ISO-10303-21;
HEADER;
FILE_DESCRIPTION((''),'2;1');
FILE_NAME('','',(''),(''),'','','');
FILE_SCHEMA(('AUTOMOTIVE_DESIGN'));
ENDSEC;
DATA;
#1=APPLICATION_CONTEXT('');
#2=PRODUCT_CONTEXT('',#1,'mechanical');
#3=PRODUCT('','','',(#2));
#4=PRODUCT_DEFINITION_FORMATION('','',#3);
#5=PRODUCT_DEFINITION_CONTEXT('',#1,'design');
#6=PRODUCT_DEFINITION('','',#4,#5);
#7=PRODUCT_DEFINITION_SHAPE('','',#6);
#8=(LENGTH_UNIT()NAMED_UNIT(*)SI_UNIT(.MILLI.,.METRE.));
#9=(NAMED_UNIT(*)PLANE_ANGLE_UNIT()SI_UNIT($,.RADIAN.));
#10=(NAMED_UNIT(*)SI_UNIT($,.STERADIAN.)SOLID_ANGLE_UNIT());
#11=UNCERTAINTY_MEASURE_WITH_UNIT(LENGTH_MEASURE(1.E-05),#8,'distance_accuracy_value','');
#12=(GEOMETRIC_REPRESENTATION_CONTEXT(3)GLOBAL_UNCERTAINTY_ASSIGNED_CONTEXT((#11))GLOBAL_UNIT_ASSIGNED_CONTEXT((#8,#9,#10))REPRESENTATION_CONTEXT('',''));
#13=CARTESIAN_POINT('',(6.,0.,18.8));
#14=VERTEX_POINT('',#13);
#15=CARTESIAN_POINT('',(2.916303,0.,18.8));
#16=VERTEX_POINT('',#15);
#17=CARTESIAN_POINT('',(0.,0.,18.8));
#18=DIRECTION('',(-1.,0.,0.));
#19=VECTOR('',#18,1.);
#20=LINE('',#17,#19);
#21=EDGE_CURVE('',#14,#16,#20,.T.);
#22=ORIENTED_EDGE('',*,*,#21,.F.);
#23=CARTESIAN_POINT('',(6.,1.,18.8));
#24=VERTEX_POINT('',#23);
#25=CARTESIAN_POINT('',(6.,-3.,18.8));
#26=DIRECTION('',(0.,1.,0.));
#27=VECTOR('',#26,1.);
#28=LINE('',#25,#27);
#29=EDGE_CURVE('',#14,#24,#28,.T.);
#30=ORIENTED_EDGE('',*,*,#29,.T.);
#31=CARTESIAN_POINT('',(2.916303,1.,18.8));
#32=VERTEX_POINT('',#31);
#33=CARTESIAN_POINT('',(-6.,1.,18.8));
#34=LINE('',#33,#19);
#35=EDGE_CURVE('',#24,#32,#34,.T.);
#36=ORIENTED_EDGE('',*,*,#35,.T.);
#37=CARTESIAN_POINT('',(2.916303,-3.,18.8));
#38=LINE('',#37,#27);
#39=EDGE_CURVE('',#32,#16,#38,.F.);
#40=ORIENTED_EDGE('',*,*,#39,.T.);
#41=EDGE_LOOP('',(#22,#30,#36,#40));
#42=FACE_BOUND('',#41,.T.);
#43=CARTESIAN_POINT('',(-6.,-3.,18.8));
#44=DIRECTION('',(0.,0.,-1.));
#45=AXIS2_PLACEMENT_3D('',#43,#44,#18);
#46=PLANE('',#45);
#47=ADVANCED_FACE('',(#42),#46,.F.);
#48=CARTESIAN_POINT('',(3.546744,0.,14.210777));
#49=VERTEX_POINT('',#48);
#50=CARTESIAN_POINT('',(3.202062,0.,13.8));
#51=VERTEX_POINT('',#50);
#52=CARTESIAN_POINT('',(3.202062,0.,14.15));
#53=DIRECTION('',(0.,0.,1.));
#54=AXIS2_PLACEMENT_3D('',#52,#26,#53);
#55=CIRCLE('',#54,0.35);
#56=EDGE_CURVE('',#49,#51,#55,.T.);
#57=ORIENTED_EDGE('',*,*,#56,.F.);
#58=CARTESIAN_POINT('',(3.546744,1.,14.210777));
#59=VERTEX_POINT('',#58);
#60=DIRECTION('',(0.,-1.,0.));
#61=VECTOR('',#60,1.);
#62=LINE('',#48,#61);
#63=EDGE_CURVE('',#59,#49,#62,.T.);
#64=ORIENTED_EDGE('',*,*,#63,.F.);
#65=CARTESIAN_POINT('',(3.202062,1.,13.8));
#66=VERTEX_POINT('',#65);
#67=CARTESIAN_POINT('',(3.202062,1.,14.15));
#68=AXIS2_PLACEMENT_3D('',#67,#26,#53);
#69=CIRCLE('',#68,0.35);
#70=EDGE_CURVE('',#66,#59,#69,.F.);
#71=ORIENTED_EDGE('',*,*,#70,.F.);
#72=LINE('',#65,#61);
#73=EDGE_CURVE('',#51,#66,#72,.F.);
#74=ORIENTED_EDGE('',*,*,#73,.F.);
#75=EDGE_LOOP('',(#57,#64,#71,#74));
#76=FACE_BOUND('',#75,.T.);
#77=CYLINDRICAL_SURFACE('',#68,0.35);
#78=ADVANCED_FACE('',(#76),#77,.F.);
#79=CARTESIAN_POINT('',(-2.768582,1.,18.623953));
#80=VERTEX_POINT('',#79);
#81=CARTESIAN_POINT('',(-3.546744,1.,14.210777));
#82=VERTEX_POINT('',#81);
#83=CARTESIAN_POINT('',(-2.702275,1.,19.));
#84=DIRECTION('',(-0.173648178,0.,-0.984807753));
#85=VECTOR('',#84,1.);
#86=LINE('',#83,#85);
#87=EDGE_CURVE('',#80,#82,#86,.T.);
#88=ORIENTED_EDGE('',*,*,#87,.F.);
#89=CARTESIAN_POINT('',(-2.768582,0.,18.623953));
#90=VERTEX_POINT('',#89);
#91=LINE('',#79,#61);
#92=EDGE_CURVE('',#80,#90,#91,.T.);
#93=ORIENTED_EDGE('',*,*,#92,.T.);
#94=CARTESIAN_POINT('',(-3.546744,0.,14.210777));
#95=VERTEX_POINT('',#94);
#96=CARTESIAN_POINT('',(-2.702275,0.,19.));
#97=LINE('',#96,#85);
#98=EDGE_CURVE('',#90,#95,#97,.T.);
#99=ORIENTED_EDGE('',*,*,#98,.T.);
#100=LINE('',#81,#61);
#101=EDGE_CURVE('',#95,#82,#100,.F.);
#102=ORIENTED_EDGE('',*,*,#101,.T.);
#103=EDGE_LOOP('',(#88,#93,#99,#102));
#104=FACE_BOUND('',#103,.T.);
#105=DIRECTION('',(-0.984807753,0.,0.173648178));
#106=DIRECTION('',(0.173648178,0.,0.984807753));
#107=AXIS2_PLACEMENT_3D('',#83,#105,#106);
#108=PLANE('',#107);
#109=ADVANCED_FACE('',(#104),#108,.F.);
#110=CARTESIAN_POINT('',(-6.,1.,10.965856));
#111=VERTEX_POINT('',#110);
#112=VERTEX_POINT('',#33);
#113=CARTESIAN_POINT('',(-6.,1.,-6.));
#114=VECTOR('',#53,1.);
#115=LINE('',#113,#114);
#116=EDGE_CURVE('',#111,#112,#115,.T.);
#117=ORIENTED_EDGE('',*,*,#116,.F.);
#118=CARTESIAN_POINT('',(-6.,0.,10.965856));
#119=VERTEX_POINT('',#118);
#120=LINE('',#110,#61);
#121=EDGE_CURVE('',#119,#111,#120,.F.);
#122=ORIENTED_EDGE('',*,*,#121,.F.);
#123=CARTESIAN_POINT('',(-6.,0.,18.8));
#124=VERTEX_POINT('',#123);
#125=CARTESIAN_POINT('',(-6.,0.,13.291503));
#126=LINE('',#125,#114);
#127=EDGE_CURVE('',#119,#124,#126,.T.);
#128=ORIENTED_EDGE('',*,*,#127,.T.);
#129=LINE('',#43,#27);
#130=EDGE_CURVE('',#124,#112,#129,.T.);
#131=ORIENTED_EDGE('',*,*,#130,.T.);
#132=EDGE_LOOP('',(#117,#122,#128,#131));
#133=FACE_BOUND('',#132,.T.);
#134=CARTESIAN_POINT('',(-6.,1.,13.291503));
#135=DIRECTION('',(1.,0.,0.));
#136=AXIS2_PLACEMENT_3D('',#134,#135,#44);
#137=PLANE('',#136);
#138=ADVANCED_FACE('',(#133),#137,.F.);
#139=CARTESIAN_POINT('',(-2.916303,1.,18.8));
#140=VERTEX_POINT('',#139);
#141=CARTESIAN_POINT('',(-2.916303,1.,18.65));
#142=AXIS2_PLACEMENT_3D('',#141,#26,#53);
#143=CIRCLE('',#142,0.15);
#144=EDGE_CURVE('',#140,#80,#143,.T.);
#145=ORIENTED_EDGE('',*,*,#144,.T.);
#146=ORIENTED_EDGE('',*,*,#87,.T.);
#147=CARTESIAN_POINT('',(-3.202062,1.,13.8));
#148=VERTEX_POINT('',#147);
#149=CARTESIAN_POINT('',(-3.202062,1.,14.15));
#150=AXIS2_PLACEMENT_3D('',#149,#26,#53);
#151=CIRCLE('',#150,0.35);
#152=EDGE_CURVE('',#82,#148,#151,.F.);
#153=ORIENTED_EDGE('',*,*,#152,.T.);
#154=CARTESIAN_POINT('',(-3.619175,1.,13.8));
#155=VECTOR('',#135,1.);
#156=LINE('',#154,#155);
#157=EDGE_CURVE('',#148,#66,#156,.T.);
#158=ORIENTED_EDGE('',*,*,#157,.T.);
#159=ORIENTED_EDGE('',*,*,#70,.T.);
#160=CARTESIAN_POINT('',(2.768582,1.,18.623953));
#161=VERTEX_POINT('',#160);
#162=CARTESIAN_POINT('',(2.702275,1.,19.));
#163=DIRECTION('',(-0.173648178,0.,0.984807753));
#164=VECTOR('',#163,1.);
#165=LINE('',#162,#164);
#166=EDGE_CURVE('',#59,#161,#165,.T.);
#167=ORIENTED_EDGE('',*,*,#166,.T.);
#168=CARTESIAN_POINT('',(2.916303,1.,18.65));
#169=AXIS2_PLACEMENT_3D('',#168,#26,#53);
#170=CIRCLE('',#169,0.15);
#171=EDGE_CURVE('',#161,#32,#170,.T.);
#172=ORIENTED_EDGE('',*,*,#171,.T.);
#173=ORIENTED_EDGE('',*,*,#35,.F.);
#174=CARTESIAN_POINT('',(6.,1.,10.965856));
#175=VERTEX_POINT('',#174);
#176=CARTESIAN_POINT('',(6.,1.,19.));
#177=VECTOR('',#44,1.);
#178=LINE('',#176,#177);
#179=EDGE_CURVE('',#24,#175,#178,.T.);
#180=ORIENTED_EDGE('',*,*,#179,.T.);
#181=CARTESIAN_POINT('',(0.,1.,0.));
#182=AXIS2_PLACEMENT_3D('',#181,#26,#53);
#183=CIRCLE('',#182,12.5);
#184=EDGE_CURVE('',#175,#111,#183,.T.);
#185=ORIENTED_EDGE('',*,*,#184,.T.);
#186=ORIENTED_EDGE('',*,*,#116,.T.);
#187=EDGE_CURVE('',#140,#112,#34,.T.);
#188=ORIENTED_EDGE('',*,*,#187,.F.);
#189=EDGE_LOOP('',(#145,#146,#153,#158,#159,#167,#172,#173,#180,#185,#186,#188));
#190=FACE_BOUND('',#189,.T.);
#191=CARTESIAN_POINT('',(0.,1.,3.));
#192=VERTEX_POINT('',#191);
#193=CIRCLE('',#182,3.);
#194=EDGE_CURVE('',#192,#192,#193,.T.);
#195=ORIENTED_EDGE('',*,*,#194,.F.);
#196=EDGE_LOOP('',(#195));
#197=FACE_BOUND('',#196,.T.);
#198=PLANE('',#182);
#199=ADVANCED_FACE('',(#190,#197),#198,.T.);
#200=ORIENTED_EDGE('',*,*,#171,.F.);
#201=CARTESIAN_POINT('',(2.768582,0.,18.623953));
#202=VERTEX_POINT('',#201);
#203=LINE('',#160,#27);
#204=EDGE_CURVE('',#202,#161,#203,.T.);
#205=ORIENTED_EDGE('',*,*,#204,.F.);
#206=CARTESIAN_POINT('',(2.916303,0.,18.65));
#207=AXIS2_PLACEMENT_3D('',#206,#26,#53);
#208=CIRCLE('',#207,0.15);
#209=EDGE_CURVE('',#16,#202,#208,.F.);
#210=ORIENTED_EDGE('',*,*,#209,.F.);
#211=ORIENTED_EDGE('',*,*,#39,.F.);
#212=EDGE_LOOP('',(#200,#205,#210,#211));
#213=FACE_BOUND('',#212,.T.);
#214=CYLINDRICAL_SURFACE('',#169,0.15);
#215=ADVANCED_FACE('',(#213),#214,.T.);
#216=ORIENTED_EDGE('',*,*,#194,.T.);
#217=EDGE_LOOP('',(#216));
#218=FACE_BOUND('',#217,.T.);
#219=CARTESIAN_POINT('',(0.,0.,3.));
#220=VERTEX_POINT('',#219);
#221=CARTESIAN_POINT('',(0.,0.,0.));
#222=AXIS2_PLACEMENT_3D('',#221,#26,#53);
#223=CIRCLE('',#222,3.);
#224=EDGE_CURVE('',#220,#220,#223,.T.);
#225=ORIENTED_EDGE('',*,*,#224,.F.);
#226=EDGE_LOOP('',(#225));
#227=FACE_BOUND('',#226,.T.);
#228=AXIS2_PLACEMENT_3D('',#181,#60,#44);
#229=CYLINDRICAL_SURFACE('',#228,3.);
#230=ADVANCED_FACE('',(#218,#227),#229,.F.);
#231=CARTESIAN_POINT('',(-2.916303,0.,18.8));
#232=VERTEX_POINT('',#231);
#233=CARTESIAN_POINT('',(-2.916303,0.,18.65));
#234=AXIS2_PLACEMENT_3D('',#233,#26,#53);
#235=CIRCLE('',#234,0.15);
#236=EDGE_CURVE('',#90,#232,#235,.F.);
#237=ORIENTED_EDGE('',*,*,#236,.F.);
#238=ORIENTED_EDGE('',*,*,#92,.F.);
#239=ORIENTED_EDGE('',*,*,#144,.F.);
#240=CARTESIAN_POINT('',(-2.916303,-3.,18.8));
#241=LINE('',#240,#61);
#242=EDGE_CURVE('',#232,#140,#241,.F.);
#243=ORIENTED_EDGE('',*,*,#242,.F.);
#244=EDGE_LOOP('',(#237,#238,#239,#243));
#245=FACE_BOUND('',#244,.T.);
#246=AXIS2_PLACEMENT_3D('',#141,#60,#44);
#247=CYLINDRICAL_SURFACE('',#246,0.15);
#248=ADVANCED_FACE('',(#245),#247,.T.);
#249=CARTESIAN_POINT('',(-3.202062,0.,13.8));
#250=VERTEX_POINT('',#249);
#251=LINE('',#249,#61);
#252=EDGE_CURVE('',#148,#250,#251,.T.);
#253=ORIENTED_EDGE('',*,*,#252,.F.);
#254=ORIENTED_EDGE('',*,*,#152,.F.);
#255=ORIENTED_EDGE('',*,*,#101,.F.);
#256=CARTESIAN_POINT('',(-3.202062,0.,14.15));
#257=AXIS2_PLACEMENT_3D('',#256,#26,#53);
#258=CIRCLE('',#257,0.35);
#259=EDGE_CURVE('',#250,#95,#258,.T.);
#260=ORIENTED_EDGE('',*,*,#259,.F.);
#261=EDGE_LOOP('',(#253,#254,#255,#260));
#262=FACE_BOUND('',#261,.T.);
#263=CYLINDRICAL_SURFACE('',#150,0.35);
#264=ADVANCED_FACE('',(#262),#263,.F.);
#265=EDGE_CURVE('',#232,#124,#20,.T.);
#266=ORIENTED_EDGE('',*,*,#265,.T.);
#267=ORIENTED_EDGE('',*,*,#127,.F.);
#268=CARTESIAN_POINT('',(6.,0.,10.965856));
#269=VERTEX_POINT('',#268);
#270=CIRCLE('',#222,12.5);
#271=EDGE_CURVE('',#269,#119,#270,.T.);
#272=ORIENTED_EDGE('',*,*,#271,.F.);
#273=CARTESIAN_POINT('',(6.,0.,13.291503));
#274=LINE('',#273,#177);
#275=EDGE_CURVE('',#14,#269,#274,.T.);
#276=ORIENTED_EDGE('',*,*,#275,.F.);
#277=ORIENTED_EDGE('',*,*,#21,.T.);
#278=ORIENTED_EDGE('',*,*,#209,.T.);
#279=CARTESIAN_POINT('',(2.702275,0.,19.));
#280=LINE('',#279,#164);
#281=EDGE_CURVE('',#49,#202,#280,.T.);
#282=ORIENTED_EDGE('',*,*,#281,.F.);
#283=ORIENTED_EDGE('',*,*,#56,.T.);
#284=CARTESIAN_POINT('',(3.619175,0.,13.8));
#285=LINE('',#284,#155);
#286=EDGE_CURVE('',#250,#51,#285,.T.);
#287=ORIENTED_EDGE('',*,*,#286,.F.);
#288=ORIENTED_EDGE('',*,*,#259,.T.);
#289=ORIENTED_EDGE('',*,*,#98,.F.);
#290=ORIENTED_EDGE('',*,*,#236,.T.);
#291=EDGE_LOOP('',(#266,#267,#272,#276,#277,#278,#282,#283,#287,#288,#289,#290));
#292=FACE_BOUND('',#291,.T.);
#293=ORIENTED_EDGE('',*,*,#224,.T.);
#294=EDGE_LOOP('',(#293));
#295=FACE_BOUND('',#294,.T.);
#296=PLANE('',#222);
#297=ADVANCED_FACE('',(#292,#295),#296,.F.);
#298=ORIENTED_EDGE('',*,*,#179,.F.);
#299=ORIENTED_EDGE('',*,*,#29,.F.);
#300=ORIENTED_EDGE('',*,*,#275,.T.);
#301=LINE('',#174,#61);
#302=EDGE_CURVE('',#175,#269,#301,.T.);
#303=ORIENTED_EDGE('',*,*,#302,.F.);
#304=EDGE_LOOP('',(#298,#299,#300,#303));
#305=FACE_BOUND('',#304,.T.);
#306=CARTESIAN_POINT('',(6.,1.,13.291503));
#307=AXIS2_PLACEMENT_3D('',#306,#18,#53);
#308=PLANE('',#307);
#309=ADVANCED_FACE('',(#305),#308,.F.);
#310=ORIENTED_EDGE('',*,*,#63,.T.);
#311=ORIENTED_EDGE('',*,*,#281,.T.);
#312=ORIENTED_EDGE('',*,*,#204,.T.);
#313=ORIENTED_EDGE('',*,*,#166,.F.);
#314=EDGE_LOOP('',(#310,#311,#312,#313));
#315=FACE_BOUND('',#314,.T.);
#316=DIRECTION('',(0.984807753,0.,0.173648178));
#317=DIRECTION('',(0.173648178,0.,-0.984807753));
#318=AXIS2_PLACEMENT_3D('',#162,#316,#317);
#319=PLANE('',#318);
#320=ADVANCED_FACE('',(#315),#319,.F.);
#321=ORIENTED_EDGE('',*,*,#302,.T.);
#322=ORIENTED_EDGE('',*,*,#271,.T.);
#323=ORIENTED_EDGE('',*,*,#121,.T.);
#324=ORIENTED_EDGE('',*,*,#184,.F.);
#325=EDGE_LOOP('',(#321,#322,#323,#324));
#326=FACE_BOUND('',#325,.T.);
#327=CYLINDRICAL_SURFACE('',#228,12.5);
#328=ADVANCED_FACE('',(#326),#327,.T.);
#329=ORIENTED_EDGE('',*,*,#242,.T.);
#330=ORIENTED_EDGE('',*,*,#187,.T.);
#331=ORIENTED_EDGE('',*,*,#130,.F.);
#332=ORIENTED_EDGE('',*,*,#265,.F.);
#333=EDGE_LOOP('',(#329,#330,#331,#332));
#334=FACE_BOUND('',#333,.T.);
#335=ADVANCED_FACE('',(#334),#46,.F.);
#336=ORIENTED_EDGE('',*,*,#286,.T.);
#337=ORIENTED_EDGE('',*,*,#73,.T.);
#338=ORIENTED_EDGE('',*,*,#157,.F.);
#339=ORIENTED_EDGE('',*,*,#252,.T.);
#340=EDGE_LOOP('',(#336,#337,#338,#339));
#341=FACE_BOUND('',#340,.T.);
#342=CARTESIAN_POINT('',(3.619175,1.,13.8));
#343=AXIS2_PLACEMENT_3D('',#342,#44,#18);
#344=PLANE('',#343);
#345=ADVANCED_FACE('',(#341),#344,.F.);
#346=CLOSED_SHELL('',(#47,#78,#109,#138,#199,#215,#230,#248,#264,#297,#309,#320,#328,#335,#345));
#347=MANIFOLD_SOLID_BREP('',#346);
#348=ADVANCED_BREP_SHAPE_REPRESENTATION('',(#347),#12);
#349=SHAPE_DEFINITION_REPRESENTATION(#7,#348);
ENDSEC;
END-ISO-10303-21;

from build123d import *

# Parameters (mm, degrees)
SKETCH1_R           = 3
BOSS_EXTRUDE1_DEPTH = 1
SKETCH2_R           = 12.5
SKETCH2_R_2         = 3
BOSS_EXTRUDE2_DEPTH = 1
SKETCH4_W           = 12
SKETCH4_H           = 0.2
CUT_EXTRUDE1_DEPTH  = 4
FILLET3_R           = 0.35
FILLET4_R           = 0.15


with BuildPart() as part:
    # Sketch1 → Boss-Extrude1 (new body)
    with BuildSketch(Plane(origin=(0, 0, 0), x_dir=(1, 0, 0), z_dir=(0, 1, 0))):
        Polygon((-6, 6), (-6, -13.291502622), (-6, -19), (-2.70227506, -19), (-3.619175359, -13.8), (0, -13.8), (3.619175359, -13.8), (2.70227506, -19), (6, -19), (6, -13.291502622), (6, 6), align=None)
        with Locations(Location((0, 0, 0), (0, 0, 270))):
            Circle(SKETCH1_R, mode=Mode.SUBTRACT)
    extrude(amount=BOSS_EXTRUDE1_DEPTH)

    # Sketch2 → Boss-Extrude2 (add)
    with BuildSketch(Plane(origin=(0, 0, 0), x_dir=(1, 0, 0), z_dir=(0, 1, 0))):
        Circle(SKETCH2_R)
        with Locations(Location((0, 0, 0), (0, 0, 270))):
            Circle(SKETCH2_R_2, mode=Mode.SUBTRACT)
    extrude(amount=BOSS_EXTRUDE2_DEPTH)

    # Sketch4 → Cut-Extrude1 (cut)
    with BuildSketch(Plane(origin=(0, 1, 0), x_dir=(1, 0, 0), z_dir=(0, 1, 0))):
        with Locations((0, -18.9)):
            Rectangle(SKETCH4_W, SKETCH4_H)
    extrude(amount=-CUT_EXTRUDE1_DEPTH, mode=Mode.SUBTRACT)

    # Fillet3
    fillet3_edges = [part.edges().sort_by_distance(p)[0] for p in [
        (3.619175359, 0.5, 13.8),
        (-3.619175359, 0.5, 13.8),
    ]]
    fillet(fillet3_edges, radius=FILLET3_R)

    # Fillet4
    fillet4_edges = [part.edges().sort_by_distance(p)[0] for p in [
        (2.737540456, 0.5, 18.8),
        (-2.737540456, 0.5, 18.8),
    ]]
    fillet(fillet4_edges, radius=FILLET4_R)


solid = part.part
